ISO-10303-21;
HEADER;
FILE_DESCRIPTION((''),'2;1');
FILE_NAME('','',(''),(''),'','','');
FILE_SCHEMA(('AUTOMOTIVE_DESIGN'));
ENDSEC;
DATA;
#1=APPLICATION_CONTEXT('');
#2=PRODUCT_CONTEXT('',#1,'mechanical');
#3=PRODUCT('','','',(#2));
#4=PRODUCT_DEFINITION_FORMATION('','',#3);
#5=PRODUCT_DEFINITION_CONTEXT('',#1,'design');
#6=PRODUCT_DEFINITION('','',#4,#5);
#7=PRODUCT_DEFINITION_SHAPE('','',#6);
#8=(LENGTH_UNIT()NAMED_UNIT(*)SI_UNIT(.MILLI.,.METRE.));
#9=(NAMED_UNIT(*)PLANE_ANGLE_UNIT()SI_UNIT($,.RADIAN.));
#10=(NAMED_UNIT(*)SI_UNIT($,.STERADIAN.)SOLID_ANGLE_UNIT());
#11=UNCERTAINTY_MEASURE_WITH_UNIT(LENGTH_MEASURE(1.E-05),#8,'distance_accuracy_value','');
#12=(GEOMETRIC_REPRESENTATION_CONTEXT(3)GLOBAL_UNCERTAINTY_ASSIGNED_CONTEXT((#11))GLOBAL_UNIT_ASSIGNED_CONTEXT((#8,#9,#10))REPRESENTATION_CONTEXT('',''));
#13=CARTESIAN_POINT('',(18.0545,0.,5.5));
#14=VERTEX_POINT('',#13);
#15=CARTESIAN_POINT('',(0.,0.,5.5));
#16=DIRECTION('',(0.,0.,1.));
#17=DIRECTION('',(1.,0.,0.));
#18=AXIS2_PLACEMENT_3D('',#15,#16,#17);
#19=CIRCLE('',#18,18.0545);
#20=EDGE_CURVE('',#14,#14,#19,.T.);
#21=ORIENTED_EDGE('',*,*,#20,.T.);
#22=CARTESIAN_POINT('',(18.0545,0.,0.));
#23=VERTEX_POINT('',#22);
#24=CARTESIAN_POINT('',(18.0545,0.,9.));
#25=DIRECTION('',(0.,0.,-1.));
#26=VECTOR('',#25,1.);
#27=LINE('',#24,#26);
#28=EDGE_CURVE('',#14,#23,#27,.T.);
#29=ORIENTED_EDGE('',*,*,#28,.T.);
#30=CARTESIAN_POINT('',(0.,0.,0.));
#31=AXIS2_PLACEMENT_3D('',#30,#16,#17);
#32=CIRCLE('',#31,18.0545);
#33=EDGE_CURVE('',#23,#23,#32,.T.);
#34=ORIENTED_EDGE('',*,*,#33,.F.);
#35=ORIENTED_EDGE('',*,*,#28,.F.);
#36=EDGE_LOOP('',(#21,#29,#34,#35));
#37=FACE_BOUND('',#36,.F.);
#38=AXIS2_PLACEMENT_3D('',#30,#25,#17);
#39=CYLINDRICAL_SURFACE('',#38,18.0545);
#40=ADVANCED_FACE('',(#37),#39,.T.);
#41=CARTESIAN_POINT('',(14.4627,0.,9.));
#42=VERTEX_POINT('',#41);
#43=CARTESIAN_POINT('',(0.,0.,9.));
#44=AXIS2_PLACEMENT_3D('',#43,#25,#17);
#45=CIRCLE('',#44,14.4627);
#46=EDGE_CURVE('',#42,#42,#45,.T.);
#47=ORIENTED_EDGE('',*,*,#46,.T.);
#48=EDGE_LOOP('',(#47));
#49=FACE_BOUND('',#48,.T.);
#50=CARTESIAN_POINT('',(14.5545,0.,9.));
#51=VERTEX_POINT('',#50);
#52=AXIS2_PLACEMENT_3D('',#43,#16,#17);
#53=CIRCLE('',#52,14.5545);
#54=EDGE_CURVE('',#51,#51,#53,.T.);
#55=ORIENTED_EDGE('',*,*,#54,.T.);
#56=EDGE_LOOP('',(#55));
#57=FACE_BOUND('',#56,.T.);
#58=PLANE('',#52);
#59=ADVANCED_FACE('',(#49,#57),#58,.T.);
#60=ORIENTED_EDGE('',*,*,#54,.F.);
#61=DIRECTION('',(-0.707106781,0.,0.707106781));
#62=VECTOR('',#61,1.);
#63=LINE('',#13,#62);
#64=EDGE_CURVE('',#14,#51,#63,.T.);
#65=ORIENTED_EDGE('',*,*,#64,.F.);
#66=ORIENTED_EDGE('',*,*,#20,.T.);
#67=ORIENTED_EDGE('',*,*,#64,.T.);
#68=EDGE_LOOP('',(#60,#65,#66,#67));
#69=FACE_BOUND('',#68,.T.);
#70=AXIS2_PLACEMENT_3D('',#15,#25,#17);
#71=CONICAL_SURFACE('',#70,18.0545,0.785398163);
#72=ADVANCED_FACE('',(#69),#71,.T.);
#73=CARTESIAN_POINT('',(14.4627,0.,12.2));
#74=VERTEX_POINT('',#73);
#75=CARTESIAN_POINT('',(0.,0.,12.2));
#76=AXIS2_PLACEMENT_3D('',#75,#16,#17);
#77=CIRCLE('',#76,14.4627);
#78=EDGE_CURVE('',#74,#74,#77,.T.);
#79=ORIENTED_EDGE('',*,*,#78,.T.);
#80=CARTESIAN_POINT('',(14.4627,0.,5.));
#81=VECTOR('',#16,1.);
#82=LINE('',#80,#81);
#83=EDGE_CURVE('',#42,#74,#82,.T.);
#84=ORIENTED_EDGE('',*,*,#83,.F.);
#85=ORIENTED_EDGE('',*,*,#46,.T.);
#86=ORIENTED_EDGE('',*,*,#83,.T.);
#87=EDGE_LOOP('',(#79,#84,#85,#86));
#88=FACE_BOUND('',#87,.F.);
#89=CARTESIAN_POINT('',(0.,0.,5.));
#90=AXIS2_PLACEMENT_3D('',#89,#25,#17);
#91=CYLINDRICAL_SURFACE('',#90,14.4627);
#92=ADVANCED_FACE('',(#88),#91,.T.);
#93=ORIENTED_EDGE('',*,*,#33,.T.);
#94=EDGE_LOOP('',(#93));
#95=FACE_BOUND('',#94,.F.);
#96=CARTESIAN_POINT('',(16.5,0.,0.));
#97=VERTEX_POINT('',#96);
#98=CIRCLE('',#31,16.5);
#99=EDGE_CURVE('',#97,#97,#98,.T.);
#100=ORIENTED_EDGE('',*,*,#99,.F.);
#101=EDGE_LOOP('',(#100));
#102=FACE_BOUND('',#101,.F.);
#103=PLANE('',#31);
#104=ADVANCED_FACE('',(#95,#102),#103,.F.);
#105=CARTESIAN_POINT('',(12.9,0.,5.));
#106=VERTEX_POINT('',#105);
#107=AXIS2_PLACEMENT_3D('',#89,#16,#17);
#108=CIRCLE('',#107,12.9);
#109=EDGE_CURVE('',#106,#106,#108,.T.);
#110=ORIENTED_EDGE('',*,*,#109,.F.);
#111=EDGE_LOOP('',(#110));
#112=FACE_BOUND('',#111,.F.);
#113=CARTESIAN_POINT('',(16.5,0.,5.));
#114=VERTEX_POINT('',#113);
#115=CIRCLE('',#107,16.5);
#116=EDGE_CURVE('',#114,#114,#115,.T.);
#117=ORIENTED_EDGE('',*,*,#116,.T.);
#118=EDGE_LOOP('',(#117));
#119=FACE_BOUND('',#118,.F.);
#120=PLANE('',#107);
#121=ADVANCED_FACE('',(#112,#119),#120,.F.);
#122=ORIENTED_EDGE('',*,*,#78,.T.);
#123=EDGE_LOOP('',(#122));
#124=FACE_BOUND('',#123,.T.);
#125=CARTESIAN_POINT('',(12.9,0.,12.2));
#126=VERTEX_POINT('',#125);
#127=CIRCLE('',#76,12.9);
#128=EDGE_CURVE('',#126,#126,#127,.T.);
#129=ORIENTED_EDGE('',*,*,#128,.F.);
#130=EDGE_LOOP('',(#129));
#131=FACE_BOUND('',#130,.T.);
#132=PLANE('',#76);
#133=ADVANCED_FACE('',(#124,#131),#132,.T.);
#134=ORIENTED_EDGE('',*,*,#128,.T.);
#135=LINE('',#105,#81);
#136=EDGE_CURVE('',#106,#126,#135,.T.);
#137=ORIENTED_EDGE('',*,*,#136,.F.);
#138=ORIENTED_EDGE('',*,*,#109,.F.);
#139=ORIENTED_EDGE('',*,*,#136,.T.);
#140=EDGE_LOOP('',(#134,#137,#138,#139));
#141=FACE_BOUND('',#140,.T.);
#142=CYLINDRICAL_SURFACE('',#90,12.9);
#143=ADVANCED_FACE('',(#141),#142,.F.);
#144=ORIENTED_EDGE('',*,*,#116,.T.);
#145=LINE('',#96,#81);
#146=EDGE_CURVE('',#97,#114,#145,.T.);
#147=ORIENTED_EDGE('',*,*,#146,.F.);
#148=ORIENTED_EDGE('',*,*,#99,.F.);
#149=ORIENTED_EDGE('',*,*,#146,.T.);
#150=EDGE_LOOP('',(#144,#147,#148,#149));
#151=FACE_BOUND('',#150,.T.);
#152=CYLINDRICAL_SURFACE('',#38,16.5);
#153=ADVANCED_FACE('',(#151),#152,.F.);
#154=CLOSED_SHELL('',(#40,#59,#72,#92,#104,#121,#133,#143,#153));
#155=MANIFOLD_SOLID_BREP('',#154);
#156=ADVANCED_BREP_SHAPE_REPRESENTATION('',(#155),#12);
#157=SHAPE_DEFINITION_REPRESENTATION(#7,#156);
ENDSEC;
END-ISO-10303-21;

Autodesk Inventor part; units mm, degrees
ref_plane "YZ Plane" through (0, 0, 0) normal (1, 0, 0) x (0, 1, 0)
ref_plane "XZ Plane" through (0, 0, 0) normal (0, 1, 0) x (-1, 0, 0)
ref_plane "XY Plane" through (0, 0, 0) normal (0, 0, 1) x (1, 0, 0)
sketch "Sketch1" plane through (0, 0, 0) normal (0, 0, 1) x (1, 0, 0)
  circle A0 centre (0, 0) radius 16.5
  circle A1 centre (0, 0) radius 18.0545
  dimension "d0" = 33
  dimension "d1" = 1.5545
extrude "Extrusion1" add sketch "Sketch1" along normal blind 5
sketch "Sketch4" plane through (0, 0, 5) normal (0, 0, 1) x (1, 0, 0)
  circle A0 centre (0, 0) radius 12.9
  circle A1 centre (0, 0) radius 14.4627
  dimension "d4" = 25.8
  dimension "d5" = 1.5627
extrude "Extrusion2" add sketch "Sketch4" along normal blind 7.2
sketch "Sketch5" plane through (0, 0, 5) normal (0, 0, 1) x (1, 0, 0)
  circle A0 centre (0, 0) radius 18.0545
  circle A1 centre (0, 0) radius 14.2127
  circle A2 centre (0, 0) radius 18.0545 projected
extrude "Extrusion3" add sketch "Sketch5" along normal blind 4
chamfer "Chamfer2" distance 3.5 angle 45 1 edges at (-18.0545, 0, 9) measured on face at (16.5423, -2.594, 9)
properties part number "850_10_filter_holder_v2"
